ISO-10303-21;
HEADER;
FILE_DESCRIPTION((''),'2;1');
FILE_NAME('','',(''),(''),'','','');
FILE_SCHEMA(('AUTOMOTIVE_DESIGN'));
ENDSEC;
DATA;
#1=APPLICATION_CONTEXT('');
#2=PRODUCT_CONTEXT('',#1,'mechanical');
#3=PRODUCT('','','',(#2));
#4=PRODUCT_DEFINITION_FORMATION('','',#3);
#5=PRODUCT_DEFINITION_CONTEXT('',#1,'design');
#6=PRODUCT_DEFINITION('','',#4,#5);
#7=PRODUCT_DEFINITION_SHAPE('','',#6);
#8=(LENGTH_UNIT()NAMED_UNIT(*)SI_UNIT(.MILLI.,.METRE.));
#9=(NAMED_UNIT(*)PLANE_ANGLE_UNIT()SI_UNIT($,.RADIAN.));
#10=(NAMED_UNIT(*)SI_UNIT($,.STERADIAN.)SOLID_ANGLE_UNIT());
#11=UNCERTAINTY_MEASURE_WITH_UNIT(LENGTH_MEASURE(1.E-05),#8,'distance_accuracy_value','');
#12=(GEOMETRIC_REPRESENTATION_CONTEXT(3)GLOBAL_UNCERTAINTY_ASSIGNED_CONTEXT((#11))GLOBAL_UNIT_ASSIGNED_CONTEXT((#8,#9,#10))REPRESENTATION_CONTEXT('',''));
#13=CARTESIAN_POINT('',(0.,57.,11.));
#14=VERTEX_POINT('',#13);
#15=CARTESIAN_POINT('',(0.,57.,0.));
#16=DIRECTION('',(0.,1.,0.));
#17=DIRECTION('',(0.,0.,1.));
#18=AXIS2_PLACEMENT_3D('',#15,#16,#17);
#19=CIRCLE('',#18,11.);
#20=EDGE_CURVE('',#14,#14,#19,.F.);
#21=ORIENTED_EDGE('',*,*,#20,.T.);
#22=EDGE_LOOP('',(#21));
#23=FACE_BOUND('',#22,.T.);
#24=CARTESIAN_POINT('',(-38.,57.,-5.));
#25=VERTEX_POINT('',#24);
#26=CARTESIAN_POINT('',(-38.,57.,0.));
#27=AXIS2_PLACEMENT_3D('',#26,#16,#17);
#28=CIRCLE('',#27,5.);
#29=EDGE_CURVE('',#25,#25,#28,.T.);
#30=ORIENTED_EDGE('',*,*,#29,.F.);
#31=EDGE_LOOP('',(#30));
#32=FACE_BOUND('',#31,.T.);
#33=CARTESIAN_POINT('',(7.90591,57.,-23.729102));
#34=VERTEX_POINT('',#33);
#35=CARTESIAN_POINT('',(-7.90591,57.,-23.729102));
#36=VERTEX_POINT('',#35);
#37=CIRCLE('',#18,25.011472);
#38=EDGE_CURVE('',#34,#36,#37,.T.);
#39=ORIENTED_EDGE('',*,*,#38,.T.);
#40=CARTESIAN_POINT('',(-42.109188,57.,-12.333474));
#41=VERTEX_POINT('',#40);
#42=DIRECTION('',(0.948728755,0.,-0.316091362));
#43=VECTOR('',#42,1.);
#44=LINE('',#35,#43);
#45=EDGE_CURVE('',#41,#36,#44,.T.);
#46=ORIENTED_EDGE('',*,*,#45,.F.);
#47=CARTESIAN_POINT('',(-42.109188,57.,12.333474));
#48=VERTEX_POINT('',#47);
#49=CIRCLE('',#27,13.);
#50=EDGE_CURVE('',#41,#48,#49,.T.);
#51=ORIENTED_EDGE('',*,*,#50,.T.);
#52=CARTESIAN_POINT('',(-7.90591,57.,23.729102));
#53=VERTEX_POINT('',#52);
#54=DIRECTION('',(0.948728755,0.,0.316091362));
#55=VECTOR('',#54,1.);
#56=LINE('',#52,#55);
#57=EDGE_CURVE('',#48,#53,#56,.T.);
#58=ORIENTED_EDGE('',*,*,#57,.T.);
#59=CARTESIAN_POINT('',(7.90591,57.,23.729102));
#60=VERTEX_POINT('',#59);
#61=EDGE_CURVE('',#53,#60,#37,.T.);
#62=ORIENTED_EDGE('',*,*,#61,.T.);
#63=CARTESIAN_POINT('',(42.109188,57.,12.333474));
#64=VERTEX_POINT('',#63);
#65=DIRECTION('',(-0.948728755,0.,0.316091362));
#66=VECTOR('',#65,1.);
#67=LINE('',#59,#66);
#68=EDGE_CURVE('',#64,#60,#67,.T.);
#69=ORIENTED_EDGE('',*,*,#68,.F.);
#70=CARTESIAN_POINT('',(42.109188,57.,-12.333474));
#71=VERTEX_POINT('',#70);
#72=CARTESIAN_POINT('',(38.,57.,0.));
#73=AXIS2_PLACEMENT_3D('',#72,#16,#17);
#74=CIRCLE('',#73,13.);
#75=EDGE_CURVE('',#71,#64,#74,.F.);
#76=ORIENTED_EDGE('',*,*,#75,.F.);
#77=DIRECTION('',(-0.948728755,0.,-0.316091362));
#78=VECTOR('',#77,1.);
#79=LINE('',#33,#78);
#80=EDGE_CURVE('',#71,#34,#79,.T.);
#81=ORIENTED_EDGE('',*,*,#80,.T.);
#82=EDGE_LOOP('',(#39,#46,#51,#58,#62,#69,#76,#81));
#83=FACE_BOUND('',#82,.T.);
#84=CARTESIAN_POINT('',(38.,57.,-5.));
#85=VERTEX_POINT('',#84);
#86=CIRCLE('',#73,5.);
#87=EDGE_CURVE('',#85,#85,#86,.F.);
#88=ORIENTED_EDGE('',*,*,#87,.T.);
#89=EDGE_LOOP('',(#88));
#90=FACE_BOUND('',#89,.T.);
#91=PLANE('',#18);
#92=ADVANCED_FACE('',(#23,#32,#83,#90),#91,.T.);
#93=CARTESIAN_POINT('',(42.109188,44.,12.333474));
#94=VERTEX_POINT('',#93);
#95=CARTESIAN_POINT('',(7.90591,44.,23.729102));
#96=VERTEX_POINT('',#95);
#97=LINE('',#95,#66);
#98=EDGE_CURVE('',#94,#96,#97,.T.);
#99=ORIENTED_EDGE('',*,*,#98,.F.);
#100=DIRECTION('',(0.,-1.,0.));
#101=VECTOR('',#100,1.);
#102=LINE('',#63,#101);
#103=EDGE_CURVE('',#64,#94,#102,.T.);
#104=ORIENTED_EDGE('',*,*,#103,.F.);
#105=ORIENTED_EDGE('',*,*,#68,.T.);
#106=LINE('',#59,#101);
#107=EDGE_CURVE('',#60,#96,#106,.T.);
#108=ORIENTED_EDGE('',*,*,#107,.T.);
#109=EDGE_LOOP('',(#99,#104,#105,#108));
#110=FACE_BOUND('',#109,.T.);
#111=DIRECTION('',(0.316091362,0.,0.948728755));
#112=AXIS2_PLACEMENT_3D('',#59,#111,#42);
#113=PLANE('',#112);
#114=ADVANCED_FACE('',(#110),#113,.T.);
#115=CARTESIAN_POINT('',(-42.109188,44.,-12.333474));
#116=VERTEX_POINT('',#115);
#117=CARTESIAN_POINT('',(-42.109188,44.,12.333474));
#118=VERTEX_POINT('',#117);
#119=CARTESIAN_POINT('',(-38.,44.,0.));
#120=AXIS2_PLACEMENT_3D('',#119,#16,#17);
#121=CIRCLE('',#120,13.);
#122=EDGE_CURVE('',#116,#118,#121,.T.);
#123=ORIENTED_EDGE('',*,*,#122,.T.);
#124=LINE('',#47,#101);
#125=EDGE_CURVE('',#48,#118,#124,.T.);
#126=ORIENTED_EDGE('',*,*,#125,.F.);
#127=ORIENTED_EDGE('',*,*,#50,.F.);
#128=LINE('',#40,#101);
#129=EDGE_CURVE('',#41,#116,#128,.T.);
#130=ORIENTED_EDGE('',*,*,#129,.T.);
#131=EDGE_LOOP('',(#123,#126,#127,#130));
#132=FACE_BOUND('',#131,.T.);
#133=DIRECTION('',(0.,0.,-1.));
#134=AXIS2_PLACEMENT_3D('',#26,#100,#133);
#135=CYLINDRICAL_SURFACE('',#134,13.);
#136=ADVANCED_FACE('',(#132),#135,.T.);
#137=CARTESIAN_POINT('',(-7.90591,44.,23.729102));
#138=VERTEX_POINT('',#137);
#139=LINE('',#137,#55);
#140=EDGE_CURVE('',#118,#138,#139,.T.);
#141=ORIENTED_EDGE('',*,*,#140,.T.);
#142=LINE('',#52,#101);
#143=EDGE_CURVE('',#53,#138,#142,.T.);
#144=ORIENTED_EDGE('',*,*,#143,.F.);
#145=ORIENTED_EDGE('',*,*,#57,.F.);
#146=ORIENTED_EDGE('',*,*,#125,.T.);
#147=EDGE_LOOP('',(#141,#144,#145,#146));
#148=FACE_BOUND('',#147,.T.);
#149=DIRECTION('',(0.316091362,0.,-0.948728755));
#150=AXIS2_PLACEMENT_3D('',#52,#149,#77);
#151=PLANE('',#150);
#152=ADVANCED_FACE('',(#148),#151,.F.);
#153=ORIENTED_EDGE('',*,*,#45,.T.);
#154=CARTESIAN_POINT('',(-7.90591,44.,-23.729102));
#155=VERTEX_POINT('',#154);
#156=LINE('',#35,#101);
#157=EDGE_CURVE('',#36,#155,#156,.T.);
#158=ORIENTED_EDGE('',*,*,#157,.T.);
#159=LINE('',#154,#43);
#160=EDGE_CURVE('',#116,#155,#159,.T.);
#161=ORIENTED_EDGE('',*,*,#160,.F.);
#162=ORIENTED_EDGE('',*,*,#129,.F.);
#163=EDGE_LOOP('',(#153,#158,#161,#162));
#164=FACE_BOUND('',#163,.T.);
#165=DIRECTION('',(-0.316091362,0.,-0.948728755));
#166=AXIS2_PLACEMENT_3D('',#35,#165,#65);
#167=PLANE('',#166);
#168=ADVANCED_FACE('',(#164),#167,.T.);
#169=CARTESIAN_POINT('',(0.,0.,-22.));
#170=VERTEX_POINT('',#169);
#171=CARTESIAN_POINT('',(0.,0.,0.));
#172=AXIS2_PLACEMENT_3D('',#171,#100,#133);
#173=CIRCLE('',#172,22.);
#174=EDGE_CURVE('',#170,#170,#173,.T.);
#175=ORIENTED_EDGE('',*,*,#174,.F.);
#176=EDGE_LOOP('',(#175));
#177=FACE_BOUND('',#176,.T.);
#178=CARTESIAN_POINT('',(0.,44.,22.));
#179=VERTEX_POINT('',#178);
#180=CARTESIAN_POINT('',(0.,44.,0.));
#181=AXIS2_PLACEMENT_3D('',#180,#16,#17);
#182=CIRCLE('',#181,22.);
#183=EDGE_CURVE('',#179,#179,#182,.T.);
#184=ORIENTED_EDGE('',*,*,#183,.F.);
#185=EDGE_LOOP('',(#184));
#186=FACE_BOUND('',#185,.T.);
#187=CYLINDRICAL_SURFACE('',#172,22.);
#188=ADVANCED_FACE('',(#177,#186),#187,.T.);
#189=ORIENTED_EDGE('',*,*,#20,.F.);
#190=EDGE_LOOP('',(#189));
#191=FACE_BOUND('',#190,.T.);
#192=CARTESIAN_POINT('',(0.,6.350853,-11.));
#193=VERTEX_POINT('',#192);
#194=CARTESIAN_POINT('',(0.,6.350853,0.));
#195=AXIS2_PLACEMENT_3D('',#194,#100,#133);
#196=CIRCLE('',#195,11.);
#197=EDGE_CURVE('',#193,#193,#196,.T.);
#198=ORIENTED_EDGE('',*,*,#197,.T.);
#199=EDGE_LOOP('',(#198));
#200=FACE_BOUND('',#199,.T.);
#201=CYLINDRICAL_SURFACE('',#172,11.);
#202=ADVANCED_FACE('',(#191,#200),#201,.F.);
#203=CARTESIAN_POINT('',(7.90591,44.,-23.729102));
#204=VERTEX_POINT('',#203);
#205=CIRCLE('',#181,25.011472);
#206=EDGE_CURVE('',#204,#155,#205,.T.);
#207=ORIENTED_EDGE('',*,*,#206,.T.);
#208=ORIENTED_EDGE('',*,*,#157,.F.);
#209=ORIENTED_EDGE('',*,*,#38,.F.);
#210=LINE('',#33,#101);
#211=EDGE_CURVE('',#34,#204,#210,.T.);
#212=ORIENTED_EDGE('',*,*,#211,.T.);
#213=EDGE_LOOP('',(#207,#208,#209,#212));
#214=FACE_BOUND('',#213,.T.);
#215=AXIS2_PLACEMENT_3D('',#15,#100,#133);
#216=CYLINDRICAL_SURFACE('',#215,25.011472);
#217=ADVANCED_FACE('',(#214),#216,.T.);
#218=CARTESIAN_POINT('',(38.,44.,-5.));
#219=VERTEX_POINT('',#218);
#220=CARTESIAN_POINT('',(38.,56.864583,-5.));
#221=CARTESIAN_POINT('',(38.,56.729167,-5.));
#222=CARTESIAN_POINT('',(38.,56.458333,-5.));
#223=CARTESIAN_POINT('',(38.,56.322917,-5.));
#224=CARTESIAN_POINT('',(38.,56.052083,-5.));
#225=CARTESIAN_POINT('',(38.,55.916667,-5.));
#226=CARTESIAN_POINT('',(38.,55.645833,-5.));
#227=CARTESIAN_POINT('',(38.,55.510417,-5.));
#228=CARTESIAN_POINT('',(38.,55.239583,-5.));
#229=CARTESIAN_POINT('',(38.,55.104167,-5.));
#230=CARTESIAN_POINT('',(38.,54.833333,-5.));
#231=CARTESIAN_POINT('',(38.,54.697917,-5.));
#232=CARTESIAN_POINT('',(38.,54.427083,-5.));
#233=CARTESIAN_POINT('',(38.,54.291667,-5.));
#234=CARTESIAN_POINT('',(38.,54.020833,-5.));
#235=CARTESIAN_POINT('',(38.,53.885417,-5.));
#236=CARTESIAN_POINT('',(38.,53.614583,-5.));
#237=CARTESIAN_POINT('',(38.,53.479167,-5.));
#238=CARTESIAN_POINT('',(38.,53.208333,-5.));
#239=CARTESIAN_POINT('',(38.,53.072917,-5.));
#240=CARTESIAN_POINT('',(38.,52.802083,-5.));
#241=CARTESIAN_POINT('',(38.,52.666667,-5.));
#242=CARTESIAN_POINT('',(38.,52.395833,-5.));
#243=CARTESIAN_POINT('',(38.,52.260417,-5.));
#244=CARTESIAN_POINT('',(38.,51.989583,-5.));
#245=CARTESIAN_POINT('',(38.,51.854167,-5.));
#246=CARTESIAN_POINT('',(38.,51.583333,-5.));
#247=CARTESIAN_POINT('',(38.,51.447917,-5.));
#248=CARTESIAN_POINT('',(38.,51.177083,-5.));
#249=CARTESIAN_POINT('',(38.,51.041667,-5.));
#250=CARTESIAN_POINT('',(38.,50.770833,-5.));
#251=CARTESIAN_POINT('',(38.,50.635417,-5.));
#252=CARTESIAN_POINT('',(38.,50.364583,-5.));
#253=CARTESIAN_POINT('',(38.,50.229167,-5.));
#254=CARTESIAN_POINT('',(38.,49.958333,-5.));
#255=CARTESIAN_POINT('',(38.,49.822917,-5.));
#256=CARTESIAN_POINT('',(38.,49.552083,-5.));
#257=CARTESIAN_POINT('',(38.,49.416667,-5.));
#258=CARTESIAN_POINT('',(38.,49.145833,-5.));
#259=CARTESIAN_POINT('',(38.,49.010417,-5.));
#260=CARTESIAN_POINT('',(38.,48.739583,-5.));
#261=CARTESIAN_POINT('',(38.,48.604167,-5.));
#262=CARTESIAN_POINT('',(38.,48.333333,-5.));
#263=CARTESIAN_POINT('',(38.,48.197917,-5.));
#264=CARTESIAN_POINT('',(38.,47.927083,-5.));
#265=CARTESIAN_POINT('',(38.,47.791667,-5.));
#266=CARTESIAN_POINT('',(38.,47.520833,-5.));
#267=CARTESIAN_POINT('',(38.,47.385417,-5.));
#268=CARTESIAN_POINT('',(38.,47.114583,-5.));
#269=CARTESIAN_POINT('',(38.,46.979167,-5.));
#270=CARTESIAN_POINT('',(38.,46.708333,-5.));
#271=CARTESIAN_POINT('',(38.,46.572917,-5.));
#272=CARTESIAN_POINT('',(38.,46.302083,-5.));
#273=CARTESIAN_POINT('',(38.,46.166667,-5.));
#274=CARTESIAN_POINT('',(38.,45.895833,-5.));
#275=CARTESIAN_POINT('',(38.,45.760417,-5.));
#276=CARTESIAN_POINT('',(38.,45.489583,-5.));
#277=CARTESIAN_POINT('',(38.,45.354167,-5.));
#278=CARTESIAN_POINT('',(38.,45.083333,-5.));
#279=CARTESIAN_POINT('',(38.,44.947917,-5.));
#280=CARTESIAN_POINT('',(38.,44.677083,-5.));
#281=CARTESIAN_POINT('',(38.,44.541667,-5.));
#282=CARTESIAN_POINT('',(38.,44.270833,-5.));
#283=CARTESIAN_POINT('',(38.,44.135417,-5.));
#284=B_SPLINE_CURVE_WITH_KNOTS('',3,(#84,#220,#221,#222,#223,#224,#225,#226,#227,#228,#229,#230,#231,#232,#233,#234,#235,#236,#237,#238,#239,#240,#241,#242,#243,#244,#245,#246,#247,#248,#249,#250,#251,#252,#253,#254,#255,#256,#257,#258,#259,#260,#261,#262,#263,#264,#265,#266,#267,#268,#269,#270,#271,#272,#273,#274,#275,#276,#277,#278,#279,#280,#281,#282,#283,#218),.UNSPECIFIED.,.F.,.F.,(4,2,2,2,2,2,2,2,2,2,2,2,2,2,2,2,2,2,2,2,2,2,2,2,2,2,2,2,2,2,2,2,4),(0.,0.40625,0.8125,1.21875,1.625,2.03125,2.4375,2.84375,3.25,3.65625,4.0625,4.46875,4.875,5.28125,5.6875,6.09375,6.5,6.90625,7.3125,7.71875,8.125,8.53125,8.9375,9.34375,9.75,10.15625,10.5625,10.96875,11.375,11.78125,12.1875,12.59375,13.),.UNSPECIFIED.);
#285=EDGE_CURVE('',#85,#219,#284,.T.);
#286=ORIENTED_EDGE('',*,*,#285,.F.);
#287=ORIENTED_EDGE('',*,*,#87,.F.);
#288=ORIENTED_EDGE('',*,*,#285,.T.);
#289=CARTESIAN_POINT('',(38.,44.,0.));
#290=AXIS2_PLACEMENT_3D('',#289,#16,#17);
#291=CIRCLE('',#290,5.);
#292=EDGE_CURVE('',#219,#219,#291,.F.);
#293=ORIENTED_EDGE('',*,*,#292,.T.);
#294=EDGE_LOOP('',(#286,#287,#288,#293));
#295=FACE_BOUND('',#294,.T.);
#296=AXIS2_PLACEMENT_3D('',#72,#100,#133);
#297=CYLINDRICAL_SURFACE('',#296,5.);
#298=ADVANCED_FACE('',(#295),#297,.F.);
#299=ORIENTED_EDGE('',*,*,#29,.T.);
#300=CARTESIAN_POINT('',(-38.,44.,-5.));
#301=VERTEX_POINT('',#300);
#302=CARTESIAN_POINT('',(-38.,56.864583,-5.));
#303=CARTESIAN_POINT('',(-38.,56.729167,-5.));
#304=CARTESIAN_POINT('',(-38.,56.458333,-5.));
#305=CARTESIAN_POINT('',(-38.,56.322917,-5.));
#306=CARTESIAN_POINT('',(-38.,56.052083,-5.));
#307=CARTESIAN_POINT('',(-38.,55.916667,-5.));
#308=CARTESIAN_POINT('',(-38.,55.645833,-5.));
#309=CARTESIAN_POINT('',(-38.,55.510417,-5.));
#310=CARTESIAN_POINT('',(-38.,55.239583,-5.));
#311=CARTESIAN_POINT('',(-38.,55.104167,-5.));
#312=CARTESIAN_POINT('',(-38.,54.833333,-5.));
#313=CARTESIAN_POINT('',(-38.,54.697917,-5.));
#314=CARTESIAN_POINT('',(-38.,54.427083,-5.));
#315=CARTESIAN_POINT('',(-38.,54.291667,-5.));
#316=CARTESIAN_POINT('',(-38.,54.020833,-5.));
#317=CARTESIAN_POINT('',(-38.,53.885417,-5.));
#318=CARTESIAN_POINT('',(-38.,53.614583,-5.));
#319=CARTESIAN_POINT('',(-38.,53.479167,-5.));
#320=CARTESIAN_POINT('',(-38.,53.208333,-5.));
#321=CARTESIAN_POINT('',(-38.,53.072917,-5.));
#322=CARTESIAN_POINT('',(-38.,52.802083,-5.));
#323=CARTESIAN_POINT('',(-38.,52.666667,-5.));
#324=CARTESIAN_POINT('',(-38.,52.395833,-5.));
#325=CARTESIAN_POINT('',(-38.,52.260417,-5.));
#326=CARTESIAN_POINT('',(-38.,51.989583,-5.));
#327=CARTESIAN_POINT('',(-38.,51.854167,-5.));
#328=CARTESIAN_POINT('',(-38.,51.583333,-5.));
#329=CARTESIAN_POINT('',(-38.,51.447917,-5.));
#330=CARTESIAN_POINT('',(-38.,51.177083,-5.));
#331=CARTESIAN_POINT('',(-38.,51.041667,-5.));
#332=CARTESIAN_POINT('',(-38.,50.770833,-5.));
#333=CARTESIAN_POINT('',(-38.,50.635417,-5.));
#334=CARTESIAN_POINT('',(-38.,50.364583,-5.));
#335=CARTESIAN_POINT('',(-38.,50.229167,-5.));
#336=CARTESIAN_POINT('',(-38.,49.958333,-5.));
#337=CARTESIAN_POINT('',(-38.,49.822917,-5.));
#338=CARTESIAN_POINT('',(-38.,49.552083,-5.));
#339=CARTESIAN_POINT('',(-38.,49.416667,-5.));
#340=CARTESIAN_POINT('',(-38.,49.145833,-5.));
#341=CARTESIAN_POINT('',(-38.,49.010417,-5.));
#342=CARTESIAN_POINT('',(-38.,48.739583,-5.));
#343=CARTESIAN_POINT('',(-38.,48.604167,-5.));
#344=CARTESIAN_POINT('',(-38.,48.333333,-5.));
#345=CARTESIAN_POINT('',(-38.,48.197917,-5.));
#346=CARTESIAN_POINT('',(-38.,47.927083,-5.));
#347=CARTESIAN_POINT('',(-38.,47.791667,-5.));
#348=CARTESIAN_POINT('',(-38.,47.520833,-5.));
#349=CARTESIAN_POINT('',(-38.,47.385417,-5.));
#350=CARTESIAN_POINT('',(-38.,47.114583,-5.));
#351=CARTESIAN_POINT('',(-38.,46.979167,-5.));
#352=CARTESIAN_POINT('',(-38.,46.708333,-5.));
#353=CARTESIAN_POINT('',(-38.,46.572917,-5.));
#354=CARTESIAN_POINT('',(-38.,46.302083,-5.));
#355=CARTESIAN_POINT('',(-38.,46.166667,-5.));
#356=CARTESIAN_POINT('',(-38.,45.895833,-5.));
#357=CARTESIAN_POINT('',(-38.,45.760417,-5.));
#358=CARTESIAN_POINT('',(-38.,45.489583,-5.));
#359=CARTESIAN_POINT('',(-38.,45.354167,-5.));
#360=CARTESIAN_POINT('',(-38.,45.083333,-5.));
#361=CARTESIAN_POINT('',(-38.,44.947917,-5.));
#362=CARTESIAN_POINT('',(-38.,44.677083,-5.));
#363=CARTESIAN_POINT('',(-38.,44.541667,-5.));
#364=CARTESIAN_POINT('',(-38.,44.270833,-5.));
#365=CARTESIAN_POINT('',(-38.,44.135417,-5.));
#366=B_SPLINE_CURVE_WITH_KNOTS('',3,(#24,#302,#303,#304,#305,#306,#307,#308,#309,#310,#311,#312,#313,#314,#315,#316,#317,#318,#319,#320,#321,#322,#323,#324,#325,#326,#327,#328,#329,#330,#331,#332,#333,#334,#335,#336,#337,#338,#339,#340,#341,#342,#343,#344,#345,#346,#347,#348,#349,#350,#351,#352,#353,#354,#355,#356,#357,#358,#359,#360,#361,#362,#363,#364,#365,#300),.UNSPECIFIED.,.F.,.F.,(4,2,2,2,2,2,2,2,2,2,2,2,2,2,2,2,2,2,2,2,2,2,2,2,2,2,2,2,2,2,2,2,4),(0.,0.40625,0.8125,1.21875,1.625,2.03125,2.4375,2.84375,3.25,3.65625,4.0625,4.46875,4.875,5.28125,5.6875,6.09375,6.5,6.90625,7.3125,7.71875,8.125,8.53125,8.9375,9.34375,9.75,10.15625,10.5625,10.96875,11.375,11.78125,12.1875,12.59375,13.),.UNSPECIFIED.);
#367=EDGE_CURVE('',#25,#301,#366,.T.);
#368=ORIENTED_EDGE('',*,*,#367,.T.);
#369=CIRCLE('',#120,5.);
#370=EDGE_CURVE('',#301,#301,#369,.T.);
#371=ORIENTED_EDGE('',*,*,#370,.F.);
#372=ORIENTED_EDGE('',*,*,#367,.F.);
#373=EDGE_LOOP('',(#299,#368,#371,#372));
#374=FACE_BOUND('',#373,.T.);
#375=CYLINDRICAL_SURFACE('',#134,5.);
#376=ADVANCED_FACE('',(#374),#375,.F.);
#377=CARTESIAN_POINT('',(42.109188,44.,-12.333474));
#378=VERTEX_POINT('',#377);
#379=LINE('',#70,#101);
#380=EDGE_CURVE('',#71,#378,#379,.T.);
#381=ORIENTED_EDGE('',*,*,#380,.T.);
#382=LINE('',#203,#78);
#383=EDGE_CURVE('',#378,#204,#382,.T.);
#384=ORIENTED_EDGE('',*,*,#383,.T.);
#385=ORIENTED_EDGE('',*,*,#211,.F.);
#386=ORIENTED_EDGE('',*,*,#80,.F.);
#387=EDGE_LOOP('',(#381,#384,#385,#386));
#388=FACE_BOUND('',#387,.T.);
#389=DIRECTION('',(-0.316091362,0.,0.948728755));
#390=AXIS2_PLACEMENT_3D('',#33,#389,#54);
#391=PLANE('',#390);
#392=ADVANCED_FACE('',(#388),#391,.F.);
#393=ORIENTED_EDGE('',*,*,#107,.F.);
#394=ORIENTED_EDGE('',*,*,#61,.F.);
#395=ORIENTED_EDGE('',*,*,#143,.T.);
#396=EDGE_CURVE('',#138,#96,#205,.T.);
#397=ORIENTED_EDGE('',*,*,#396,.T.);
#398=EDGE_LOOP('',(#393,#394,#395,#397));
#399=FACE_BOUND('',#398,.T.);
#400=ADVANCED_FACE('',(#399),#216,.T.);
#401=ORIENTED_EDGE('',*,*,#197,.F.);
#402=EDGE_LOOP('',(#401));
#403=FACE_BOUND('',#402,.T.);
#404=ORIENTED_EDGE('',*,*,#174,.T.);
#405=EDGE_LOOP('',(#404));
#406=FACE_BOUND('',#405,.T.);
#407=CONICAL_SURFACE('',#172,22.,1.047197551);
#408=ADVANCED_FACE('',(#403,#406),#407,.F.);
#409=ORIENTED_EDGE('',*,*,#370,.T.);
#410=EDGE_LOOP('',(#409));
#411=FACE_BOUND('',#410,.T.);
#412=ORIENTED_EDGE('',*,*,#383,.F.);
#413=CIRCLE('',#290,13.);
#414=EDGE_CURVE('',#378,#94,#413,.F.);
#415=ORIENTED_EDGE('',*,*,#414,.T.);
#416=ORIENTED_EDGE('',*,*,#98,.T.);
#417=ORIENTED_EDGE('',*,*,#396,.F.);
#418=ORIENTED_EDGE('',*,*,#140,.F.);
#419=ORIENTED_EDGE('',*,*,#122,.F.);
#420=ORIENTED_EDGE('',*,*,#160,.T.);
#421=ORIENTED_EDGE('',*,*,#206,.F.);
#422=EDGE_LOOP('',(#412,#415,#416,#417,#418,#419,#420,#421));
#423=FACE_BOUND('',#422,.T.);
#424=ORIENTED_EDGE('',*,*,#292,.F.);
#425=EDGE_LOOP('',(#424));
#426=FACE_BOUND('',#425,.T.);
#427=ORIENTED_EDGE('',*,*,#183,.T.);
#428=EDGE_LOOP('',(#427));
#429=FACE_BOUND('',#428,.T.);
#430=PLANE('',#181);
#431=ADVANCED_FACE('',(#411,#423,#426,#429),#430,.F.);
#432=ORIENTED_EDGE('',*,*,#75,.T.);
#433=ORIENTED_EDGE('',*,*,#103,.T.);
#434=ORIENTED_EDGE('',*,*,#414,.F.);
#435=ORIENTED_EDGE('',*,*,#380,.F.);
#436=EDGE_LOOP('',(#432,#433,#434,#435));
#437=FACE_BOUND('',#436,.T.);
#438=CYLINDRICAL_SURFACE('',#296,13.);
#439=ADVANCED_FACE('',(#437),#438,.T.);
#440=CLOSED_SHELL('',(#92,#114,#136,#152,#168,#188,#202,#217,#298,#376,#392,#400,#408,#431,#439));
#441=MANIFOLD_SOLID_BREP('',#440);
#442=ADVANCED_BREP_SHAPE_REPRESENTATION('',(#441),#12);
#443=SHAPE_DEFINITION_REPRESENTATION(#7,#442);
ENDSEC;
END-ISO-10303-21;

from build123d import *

# Parameters (mm, degrees)
SKETCH2_R           = 5
SKETCH2_R_2         = 11
BOSS_EXTRUDE2_DEPTH = 13


with BuildPart() as part:
    # Sketch1 → Revolve1 (revolve)
    with BuildSketch(Plane.XY):
        Polygon((-22, 0), (-22, 44), (-11, 44), (-11, 6.350852961), align=None)
    revolve(axis=Axis((0, 0, 0), (0, 1, 0)))

    # Sketch2 → Boss-Extrude2 (add)
    with BuildSketch(Plane(origin=(0, 44, 0), x_dir=(1, 0, 0), z_dir=(0, 1, 0))):
        with BuildLine():
            Line((7.905910187, -23.729102474), (42.109187711, -12.333473815))
            ThreePointArc((42.109187711, -12.333473815), (51, 0), (42.109187711, 12.333473815))
            Line((42.109187711, 12.333473815), (7.905910187, 23.729102474))
            ThreePointArc((7.905910187, 23.729102474), (0, 25.01147177), (-7.905910187, 23.729102474))
            Line((-7.905910187, 23.729102474), (-42.109187711, 12.333473815))
            ThreePointArc((-42.109187711, 12.333473815), (-51, 0), (-42.109187711, -12.333473815))
            Line((-42.109187711, -12.333473815), (-7.905910187, -23.729102474))
            ThreePointArc((-7.905910187, -23.729102474), (0, -25.01147177), (7.905910187, -23.729102474))
        make_face()
        with Locations((-38, 0)):
            Circle(SKETCH2_R, mode=Mode.SUBTRACT)
        with Locations((38, 0)):
            Circle(SKETCH2_R, mode=Mode.SUBTRACT)
        Circle(SKETCH2_R_2, mode=Mode.SUBTRACT)
    extrude(amount=BOSS_EXTRUDE2_DEPTH)


solid = part.part
